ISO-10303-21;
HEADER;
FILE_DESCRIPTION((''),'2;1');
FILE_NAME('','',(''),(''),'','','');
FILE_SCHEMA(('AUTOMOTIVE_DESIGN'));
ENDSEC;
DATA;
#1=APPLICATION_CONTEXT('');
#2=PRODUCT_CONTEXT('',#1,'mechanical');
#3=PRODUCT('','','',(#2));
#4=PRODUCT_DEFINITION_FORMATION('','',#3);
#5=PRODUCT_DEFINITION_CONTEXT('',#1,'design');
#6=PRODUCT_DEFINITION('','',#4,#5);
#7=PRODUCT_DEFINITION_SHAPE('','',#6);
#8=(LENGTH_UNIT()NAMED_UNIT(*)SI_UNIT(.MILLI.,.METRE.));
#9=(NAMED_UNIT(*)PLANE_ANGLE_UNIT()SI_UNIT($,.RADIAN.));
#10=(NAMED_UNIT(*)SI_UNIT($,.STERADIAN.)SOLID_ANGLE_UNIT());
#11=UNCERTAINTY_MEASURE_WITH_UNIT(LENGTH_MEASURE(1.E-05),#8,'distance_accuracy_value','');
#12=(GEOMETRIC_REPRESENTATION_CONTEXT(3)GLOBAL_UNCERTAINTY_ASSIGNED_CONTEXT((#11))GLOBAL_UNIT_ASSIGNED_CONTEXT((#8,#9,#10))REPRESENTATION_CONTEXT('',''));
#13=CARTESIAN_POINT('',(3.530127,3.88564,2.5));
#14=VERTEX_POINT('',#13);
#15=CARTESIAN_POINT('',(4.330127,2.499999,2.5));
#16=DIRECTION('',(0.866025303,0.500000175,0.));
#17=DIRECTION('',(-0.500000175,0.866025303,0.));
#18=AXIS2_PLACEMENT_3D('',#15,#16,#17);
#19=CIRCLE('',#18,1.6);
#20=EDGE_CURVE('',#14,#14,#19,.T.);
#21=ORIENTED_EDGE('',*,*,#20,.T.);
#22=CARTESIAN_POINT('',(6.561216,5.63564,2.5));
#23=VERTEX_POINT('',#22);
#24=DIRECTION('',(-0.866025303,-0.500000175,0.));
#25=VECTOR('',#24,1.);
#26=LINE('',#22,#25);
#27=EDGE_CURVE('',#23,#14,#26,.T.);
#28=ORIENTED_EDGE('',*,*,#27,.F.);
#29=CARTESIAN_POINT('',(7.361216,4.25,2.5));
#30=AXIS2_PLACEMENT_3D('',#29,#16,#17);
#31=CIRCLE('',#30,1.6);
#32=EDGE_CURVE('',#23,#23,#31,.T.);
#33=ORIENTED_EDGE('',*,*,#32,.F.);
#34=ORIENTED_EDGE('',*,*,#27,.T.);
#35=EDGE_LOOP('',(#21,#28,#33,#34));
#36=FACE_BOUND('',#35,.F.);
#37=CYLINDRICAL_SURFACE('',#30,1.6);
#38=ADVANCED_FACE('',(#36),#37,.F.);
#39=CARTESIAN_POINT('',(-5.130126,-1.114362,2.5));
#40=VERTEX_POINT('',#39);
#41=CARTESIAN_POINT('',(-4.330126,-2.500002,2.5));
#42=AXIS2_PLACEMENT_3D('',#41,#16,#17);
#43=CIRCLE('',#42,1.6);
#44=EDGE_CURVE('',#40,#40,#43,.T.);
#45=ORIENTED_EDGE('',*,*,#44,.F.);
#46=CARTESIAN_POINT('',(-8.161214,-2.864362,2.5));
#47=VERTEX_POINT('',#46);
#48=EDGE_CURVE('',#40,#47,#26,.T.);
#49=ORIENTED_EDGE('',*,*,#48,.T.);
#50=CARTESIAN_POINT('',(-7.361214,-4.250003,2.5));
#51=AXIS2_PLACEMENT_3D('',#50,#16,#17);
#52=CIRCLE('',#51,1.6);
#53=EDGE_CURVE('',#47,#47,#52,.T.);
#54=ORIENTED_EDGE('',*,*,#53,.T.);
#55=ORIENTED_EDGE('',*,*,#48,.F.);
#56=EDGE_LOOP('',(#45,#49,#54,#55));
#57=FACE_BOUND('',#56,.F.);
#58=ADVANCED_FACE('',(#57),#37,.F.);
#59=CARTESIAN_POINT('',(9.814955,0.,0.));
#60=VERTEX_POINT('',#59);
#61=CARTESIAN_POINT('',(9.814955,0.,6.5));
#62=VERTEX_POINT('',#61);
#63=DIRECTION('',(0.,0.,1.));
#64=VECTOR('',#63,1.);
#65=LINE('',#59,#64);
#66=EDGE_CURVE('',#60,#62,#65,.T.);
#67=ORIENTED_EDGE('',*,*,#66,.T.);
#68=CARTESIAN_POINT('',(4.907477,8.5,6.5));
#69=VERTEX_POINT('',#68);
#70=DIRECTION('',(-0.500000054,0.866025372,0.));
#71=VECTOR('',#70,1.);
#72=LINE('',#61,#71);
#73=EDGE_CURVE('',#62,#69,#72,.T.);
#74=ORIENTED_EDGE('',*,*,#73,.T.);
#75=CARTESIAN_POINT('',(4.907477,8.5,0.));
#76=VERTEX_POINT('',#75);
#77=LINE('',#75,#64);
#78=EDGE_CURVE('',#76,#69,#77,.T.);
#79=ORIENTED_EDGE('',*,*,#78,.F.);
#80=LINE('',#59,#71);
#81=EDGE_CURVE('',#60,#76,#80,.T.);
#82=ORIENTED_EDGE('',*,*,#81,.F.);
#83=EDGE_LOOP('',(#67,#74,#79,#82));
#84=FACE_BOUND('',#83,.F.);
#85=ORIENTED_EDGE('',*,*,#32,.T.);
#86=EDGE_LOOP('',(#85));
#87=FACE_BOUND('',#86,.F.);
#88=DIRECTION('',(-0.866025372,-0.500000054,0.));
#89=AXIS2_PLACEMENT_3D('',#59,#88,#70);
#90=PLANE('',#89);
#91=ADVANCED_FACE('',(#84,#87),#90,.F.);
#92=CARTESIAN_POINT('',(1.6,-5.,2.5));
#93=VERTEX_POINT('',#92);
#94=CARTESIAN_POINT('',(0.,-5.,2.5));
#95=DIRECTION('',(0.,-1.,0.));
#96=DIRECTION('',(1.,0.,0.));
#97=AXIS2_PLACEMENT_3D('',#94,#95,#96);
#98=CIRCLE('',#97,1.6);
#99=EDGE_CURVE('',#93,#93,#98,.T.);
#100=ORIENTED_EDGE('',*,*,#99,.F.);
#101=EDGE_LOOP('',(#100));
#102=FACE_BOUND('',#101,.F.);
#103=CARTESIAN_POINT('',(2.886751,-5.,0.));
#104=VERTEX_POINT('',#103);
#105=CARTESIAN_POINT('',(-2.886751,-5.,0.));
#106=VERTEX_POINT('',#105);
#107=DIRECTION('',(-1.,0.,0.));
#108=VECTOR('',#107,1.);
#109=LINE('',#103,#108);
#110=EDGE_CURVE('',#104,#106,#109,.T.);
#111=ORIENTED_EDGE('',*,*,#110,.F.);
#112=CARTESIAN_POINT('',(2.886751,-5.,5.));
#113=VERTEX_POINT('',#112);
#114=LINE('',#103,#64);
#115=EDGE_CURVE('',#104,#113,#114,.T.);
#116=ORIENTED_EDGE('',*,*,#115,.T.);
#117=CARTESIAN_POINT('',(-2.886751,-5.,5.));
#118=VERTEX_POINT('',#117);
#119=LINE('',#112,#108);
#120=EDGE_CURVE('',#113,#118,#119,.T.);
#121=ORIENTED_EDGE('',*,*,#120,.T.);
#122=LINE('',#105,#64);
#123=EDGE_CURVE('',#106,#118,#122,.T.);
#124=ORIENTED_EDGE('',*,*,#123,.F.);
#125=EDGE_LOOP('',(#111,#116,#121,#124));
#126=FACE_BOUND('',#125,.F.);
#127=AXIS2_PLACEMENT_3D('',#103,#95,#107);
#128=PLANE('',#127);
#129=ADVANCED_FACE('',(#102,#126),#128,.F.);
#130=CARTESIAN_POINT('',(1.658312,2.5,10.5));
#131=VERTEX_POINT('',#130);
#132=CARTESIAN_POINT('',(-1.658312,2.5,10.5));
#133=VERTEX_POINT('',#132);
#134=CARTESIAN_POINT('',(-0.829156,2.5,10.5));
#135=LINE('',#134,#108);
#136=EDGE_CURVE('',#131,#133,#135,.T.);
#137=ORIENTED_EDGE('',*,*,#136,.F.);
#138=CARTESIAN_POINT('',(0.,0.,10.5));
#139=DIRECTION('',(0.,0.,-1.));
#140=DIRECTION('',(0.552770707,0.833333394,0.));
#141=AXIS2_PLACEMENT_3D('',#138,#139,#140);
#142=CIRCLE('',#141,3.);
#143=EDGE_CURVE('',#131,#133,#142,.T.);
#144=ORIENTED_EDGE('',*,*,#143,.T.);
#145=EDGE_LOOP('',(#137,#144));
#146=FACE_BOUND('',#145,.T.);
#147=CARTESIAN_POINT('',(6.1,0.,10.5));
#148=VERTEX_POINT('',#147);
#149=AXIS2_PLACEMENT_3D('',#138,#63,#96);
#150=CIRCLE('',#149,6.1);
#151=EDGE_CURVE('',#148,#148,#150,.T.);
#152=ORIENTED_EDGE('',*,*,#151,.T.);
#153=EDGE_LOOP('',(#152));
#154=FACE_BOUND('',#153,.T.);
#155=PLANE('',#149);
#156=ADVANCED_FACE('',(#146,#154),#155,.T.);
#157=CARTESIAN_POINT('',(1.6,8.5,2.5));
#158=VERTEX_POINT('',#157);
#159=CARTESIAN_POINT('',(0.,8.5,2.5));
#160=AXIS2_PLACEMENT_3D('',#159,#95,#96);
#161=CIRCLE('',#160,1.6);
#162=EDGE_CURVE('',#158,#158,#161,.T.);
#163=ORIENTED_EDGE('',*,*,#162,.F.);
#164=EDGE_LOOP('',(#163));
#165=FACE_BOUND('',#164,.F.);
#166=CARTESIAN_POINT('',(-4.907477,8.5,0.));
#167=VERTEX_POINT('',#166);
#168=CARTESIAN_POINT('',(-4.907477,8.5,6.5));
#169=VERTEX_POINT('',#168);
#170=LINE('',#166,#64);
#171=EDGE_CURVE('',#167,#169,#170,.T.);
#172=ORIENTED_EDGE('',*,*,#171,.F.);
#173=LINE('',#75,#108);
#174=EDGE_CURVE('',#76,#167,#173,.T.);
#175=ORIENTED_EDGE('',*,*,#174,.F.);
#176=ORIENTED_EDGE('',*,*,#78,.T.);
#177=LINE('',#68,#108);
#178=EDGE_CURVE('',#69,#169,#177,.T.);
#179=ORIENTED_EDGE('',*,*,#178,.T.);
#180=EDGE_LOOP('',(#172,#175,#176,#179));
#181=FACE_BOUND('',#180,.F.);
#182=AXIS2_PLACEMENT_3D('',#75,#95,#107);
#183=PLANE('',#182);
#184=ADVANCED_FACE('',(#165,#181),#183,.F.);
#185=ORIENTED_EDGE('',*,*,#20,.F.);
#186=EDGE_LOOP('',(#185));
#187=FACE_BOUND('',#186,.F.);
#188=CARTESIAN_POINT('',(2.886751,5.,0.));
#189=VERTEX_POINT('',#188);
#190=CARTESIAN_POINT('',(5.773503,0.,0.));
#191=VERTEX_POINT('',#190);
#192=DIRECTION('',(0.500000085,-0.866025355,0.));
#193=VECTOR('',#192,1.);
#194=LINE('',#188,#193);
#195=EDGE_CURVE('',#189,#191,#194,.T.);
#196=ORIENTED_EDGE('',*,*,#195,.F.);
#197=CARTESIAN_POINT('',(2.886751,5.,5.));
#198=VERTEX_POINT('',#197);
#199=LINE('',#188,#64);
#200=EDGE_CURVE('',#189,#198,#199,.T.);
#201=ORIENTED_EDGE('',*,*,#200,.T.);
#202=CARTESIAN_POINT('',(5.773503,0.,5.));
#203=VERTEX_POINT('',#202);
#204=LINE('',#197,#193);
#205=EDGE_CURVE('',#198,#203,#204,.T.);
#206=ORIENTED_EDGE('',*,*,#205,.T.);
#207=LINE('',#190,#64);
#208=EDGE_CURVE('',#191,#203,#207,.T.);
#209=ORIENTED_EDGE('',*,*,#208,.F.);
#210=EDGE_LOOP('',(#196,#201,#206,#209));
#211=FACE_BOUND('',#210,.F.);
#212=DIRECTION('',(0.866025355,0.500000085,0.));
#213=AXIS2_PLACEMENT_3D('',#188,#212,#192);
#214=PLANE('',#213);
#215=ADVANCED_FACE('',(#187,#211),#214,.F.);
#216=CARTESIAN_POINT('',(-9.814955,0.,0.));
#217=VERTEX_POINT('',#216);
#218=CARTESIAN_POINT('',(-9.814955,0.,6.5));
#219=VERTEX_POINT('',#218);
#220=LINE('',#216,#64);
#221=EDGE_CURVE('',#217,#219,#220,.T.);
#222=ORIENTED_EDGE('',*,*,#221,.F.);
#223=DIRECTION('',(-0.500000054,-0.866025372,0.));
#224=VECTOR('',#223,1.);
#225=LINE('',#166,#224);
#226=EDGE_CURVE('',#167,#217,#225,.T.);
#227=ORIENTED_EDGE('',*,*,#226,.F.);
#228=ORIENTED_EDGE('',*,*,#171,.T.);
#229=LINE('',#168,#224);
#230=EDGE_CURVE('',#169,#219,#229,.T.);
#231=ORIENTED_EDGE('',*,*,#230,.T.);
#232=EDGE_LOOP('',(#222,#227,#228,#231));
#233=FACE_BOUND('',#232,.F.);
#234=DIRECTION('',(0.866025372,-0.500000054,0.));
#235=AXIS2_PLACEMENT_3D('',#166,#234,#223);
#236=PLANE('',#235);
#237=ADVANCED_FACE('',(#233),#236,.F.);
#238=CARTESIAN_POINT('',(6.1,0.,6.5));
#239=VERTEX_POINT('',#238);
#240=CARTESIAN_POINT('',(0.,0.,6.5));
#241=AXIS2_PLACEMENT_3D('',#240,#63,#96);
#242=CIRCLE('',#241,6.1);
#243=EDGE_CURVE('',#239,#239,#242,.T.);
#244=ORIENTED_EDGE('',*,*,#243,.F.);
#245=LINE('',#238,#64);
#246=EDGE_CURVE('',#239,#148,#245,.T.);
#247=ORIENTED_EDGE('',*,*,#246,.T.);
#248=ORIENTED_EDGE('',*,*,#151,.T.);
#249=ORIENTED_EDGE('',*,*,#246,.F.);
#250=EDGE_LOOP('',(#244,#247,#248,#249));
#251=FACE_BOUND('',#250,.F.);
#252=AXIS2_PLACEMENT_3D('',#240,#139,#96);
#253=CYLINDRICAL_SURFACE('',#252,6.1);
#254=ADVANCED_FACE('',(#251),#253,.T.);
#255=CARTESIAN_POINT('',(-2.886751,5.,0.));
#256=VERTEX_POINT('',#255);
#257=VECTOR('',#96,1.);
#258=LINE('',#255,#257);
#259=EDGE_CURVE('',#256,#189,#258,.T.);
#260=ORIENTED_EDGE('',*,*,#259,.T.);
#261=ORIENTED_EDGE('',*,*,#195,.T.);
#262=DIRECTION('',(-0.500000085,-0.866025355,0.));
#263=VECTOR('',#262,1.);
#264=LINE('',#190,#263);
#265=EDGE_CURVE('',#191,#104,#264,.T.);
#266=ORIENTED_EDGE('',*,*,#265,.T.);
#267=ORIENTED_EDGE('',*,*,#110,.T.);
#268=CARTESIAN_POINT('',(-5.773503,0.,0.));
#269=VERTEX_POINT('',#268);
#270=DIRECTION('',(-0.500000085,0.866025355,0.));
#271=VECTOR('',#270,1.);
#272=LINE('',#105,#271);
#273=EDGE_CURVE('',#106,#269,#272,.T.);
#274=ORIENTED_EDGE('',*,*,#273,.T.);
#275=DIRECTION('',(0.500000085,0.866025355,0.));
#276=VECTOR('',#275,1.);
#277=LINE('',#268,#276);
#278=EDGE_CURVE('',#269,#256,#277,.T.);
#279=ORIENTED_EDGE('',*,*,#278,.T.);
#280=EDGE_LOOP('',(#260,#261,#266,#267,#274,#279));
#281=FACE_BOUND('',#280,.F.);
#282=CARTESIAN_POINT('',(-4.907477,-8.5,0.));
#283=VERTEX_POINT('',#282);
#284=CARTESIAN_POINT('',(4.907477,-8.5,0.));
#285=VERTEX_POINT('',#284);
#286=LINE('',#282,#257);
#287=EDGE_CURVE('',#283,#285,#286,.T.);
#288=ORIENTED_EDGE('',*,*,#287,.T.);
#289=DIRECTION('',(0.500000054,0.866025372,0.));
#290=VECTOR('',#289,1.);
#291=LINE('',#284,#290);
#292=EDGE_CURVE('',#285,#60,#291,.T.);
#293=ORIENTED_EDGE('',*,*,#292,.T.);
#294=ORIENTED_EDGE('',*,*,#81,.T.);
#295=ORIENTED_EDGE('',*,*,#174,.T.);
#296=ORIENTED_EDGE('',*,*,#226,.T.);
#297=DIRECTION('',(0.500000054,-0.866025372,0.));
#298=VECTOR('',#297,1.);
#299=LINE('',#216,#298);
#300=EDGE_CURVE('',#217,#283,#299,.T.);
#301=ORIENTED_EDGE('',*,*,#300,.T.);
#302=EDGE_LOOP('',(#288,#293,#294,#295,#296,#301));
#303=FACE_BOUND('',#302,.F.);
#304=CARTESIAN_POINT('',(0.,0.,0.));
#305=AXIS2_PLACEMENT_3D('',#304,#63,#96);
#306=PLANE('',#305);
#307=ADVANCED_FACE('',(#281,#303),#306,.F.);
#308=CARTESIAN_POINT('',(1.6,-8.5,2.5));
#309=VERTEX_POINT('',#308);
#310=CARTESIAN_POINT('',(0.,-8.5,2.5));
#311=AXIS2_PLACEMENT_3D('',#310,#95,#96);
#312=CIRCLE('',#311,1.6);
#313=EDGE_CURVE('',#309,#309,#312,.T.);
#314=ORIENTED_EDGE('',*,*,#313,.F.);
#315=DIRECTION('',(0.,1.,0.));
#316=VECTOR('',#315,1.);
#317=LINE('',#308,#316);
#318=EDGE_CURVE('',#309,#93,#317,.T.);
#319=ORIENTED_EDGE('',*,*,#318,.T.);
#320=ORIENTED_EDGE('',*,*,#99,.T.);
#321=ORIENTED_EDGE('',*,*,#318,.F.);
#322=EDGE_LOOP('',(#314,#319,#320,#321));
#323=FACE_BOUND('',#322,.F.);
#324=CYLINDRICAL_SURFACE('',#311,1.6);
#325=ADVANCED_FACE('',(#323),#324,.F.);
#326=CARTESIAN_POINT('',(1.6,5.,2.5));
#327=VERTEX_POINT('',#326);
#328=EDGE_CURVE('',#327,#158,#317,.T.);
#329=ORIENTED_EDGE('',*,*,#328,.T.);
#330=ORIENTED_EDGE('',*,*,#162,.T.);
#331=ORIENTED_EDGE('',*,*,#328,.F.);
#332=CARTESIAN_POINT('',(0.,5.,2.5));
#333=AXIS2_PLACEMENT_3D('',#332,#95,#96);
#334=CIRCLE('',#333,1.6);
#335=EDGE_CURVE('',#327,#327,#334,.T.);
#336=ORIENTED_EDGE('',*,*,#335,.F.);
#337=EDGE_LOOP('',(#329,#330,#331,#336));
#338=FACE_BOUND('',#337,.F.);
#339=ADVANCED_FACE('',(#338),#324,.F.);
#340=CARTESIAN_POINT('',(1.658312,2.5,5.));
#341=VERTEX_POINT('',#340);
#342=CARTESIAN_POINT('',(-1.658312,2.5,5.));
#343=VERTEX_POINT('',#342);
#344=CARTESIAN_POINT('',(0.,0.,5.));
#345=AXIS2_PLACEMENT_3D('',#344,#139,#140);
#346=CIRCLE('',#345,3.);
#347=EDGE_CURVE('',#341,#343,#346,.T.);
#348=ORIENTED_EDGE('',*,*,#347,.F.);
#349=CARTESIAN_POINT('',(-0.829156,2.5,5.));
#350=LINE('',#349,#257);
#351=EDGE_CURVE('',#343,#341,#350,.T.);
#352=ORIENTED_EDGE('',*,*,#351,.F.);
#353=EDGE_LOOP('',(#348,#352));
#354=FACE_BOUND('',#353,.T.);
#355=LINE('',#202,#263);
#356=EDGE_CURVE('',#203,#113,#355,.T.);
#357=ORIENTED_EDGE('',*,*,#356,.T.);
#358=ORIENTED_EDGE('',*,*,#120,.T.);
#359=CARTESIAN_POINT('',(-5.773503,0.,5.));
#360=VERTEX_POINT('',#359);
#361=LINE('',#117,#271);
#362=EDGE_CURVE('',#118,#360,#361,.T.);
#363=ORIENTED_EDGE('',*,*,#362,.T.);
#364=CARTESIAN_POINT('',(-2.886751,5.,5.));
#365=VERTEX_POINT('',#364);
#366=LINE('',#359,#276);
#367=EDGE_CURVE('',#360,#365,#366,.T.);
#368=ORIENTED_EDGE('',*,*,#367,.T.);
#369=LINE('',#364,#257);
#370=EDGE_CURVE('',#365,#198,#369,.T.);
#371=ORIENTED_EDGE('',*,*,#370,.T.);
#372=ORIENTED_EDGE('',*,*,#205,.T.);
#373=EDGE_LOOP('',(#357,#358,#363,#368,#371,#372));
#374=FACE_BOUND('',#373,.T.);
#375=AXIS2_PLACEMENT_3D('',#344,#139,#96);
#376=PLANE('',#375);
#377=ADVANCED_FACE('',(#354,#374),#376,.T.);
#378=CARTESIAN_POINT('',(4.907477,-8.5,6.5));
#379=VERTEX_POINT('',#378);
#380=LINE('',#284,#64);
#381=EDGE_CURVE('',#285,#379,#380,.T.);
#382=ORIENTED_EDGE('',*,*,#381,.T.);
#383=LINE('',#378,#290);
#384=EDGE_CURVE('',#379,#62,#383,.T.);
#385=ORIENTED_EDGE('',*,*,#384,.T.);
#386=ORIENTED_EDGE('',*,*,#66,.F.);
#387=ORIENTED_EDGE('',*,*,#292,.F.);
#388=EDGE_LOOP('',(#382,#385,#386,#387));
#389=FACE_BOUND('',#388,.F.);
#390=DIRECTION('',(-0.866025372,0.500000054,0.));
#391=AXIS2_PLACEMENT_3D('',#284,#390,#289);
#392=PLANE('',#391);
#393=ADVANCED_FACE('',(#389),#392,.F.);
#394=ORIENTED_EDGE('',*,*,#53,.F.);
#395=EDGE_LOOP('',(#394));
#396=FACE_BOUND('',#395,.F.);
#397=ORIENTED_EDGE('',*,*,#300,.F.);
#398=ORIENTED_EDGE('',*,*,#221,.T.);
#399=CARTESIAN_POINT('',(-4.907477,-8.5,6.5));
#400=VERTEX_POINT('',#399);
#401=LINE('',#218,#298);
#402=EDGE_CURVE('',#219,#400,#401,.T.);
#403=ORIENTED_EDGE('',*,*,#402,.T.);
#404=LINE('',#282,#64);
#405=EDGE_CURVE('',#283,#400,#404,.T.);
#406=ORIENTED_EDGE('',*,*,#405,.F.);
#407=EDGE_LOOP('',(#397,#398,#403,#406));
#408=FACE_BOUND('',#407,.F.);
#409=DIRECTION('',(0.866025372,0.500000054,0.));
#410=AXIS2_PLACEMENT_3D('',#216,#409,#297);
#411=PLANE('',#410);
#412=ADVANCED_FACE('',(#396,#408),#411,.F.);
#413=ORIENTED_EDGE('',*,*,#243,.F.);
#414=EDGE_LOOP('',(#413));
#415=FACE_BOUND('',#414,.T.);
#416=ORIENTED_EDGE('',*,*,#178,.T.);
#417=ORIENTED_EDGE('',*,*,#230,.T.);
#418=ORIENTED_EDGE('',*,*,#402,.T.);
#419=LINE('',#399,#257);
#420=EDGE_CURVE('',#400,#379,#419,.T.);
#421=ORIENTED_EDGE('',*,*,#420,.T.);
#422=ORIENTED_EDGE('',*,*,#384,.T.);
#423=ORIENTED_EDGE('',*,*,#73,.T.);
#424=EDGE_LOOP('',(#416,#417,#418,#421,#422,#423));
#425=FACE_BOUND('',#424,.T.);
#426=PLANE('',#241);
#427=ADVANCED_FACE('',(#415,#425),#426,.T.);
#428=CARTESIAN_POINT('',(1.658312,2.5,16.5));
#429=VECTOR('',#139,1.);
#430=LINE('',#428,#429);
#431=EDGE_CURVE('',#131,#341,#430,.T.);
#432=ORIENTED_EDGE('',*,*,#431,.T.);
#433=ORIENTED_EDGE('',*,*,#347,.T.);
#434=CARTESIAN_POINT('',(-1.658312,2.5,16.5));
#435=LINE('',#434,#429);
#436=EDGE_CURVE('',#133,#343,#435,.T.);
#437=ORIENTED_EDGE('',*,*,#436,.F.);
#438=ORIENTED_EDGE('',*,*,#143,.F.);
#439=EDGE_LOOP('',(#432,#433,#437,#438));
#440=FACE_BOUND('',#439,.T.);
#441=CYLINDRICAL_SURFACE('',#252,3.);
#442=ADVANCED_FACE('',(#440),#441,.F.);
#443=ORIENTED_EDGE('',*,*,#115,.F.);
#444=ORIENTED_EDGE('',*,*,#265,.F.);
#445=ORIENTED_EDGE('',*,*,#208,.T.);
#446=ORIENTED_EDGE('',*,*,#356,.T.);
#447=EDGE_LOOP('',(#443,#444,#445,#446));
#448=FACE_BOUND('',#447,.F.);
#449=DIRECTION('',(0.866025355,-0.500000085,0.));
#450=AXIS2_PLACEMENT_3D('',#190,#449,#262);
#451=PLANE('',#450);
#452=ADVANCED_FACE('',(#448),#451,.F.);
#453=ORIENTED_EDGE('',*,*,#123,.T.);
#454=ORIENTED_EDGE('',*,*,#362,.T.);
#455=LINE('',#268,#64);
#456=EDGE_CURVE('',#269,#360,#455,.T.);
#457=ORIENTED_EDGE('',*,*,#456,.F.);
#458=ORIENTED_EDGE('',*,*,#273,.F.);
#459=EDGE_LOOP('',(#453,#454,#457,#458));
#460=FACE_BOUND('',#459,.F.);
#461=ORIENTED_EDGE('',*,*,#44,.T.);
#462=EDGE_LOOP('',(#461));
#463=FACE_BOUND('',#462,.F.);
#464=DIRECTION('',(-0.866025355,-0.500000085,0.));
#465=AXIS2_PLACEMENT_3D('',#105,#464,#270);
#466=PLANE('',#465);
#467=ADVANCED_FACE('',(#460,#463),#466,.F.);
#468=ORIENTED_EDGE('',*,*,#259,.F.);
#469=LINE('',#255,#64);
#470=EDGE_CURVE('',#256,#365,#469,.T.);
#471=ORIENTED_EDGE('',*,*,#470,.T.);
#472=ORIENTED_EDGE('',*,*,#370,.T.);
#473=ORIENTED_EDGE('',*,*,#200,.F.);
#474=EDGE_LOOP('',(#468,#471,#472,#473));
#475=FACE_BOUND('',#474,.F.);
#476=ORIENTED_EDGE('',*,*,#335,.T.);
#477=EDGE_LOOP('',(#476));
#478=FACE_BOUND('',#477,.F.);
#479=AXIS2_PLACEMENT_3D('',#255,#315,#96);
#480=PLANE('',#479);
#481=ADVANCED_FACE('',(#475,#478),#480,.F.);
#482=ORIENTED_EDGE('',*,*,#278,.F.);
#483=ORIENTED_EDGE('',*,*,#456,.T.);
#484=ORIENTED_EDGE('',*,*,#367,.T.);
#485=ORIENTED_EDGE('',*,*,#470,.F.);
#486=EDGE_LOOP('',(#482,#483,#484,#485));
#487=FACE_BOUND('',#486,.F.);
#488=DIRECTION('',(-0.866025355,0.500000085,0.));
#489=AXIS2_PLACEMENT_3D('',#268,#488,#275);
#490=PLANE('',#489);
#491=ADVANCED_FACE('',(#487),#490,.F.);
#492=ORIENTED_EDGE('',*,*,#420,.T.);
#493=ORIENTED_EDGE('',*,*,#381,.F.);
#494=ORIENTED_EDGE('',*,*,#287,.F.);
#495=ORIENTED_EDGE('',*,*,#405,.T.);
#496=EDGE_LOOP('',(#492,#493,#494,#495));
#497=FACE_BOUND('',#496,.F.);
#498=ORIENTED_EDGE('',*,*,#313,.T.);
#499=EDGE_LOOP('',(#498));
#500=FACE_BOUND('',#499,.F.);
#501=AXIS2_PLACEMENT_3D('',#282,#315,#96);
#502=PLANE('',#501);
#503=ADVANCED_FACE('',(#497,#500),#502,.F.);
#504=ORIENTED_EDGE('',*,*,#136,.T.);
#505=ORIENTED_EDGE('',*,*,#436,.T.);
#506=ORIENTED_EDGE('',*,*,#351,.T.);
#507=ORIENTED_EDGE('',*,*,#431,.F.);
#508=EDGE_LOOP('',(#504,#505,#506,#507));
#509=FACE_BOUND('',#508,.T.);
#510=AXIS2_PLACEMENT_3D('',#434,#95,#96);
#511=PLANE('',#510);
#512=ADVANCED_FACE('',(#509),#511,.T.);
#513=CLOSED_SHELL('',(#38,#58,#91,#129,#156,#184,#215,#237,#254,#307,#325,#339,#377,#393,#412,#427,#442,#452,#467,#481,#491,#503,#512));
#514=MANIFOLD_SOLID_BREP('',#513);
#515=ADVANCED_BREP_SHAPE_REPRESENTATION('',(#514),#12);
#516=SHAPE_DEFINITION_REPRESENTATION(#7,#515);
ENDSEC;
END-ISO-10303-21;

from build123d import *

# Parameters (mm, degrees)
SKETCH_R        = 3
PAD_DEPTH       = 6.5
SKETCH001_R     = 6.1
SKETCH001_R_2   = 3
PAD001_DEPTH    = 10
PAD002_DEPTH    = 13
SKETCH003_R     = 6.1
POCKET_DEPTH    = 6
POCKET001_DEPTH = 5
SKETCH005_R     = 1.6
POCKET002_DEPTH = 17.001
SKETCH006_R     = 1.6
POCKET003_DEPTH = 21.251


with BuildPart() as part:
    # Sketch → Pad (new body)
    with BuildSketch(Plane.XY):
        Polygon((9.814955, 0), (4.907477, 8.5), (-4.907477, 8.5), (-9.814955, 0), (-4.907477, -8.5), (4.907477, -8.5), align=None)
        Circle(SKETCH_R, mode=Mode.SUBTRACT)
    extrude(amount=PAD_DEPTH)

    # Sketch001 (on Face9 of Pad) → Pad001 (join)
    with BuildSketch(Plane.XY.offset(6.5)):
        Circle(SKETCH001_R)
        Circle(SKETCH001_R_2, mode=Mode.SUBTRACT)
    extrude(amount=PAD001_DEPTH)

    # Sketch002 (on Face12 of Pad001) → Pad002 (join)
    with BuildSketch(Plane.XY.offset(16.5)):
        with BuildLine():
            Line((-1.658312, 2.5), (1.658312, 2.5))
            ThreePointArc((1.658312, 2.5), (0, 3), (-1.658312, 2.5))
        make_face()
    extrude(amount=-PAD002_DEPTH)

    # Sketch003 (on Face15 of Pad002) → Pocket (cut)
    with BuildSketch(Plane.XY.offset(16.5)):
        Circle(SKETCH003_R)
    extrude(amount=-POCKET_DEPTH, mode=Mode.SUBTRACT)

    # Sketch004 (on Face4 of Pocket) → Pocket001 (cut)
    with BuildSketch(Plane(origin=(0, 0, 0), x_dir=(1, 0, 0), z_dir=(0, 0, -1))):
        Polygon((2.886751, 5), (-2.886751, 5), (-5.773503, 0), (-2.886751, -5), (2.886751, -5), (5.773503, 0), align=None)
    extrude(amount=-POCKET001_DEPTH, mode=Mode.SUBTRACT)

    # Sketch005 (on Face6 of Pocket001) → Pocket002 (cut, through all)
    with BuildSketch(Plane.XZ.offset(8.5)):
        with Locations((0, 2.5)):
            Circle(SKETCH005_R)
    extrude(amount=-POCKET002_DEPTH, mode=Mode.SUBTRACT)

    # Sketch006 → Pocket003 (cut, through all)
    with BuildSketch(Plane(origin=(7.361216, 4.25, 0), x_dir=(-0.5, 0.866025, 0), z_dir=(0.866025, 0.5, 0))):
        with Locations((0, 2.5)):
            Circle(SKETCH006_R)
    extrude(amount=-POCKET003_DEPTH, mode=Mode.SUBTRACT)


solid = part.part
